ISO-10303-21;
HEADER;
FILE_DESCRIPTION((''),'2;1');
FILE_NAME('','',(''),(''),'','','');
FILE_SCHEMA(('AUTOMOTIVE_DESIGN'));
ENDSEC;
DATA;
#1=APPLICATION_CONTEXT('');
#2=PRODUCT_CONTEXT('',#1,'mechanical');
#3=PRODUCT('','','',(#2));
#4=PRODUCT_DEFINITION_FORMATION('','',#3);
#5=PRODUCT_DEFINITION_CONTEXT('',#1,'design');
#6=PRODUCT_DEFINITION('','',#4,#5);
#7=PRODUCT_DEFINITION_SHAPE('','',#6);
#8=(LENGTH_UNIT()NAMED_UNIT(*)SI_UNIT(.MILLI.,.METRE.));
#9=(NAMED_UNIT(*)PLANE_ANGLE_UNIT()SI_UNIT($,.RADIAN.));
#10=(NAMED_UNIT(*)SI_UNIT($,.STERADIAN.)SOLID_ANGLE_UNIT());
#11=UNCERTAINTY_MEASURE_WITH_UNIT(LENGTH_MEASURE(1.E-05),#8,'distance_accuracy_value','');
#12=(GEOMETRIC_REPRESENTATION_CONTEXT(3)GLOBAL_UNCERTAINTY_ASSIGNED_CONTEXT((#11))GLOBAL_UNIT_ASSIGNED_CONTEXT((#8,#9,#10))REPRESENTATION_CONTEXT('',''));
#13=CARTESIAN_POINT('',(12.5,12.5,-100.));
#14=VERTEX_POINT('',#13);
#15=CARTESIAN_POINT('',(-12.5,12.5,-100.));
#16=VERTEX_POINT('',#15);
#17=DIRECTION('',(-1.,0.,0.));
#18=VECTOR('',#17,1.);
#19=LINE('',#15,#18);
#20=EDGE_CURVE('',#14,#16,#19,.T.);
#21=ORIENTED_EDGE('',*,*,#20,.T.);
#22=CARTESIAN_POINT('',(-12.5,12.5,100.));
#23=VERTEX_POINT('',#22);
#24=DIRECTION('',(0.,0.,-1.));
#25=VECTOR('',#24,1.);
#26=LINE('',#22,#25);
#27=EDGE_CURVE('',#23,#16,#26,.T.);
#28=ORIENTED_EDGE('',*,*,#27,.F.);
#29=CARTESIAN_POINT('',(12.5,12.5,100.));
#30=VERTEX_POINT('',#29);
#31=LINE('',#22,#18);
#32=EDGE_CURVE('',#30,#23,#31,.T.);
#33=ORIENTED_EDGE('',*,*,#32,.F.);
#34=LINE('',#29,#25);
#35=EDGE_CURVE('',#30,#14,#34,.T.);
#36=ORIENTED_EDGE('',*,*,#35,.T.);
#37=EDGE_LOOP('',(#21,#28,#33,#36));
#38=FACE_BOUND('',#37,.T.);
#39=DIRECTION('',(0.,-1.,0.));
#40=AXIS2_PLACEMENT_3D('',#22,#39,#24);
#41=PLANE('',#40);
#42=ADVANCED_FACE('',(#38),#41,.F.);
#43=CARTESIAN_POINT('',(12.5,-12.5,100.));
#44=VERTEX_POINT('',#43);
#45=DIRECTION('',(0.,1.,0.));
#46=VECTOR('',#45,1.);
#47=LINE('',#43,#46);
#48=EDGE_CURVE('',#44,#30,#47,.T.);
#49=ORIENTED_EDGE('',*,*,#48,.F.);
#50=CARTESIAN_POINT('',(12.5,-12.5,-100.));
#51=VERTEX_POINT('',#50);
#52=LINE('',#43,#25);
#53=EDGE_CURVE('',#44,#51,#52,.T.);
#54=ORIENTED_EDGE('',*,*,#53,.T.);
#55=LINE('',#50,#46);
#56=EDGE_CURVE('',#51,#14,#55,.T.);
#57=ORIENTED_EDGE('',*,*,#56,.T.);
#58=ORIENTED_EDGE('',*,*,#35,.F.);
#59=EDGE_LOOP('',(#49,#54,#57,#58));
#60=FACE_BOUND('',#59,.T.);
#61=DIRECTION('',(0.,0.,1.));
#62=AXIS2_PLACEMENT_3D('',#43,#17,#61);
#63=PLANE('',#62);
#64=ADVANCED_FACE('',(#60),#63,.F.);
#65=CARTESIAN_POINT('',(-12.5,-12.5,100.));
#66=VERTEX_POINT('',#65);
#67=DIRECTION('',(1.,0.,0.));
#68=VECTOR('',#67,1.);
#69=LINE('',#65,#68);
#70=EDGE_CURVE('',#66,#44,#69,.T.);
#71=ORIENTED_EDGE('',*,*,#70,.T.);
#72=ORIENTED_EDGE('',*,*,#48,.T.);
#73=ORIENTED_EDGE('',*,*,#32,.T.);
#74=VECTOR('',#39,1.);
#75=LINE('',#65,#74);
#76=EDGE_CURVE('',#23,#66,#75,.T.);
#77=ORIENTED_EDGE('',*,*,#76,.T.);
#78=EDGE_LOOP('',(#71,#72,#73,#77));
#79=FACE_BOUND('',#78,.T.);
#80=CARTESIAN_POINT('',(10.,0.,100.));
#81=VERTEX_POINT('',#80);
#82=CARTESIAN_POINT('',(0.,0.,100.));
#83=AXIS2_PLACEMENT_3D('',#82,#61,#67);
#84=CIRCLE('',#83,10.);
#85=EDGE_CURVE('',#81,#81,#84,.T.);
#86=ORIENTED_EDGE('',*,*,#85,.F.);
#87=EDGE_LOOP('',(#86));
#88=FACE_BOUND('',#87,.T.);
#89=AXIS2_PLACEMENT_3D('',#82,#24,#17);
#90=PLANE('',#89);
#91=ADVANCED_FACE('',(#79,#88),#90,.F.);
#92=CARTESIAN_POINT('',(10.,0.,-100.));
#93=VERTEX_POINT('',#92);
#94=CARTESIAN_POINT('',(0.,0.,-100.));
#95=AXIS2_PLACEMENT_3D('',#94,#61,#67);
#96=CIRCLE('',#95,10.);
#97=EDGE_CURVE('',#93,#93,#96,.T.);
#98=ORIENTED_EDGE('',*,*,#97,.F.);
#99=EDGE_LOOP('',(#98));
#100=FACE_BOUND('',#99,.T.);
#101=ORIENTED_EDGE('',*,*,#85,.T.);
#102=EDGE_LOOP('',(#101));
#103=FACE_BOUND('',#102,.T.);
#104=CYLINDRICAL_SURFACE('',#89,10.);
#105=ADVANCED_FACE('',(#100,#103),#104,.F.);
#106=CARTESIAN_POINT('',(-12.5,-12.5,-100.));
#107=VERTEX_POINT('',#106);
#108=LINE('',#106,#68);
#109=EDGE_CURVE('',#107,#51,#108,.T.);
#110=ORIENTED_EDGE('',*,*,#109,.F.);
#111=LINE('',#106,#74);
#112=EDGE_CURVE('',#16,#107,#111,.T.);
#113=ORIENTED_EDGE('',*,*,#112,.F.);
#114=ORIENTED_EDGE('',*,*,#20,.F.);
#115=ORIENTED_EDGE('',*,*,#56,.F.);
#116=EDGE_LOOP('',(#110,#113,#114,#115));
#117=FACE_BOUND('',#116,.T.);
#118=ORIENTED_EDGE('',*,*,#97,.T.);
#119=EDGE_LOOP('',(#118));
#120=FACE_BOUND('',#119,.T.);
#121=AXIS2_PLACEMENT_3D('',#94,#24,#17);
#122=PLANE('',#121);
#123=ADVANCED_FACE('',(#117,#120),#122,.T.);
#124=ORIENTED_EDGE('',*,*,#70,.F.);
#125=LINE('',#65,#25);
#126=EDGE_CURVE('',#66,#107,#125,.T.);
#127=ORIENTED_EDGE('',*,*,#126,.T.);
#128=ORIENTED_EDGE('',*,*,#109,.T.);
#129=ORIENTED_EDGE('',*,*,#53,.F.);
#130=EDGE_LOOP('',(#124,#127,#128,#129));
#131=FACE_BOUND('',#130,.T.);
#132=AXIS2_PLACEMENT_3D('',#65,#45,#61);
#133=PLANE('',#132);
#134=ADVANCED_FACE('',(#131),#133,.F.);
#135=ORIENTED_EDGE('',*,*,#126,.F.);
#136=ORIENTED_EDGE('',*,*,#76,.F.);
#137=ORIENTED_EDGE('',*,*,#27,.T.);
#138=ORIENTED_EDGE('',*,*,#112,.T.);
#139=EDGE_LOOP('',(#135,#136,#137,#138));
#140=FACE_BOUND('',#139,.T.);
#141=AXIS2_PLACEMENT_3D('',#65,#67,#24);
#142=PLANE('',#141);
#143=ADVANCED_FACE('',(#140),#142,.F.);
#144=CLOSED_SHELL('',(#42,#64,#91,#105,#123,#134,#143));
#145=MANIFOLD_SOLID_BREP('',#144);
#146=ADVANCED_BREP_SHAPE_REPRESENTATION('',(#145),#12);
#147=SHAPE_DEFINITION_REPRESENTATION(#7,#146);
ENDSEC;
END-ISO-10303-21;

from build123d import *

# Parameters (mm, degrees)
SKETCH1_W           = 25
SKETCH1_H           = 25
SKETCH1_R           = 10
BOSS_EXTRUDE1_DEPTH = 100


with BuildPart() as part:
    # Sketch1 → Boss-Extrude1 (new, symmetric)
    with BuildSketch(Plane.XY):
        Rectangle(SKETCH1_W, SKETCH1_H)
        Circle(SKETCH1_R, mode=Mode.SUBTRACT)
    extrude(amount=BOSS_EXTRUDE1_DEPTH, both=True)


solid = part.part
